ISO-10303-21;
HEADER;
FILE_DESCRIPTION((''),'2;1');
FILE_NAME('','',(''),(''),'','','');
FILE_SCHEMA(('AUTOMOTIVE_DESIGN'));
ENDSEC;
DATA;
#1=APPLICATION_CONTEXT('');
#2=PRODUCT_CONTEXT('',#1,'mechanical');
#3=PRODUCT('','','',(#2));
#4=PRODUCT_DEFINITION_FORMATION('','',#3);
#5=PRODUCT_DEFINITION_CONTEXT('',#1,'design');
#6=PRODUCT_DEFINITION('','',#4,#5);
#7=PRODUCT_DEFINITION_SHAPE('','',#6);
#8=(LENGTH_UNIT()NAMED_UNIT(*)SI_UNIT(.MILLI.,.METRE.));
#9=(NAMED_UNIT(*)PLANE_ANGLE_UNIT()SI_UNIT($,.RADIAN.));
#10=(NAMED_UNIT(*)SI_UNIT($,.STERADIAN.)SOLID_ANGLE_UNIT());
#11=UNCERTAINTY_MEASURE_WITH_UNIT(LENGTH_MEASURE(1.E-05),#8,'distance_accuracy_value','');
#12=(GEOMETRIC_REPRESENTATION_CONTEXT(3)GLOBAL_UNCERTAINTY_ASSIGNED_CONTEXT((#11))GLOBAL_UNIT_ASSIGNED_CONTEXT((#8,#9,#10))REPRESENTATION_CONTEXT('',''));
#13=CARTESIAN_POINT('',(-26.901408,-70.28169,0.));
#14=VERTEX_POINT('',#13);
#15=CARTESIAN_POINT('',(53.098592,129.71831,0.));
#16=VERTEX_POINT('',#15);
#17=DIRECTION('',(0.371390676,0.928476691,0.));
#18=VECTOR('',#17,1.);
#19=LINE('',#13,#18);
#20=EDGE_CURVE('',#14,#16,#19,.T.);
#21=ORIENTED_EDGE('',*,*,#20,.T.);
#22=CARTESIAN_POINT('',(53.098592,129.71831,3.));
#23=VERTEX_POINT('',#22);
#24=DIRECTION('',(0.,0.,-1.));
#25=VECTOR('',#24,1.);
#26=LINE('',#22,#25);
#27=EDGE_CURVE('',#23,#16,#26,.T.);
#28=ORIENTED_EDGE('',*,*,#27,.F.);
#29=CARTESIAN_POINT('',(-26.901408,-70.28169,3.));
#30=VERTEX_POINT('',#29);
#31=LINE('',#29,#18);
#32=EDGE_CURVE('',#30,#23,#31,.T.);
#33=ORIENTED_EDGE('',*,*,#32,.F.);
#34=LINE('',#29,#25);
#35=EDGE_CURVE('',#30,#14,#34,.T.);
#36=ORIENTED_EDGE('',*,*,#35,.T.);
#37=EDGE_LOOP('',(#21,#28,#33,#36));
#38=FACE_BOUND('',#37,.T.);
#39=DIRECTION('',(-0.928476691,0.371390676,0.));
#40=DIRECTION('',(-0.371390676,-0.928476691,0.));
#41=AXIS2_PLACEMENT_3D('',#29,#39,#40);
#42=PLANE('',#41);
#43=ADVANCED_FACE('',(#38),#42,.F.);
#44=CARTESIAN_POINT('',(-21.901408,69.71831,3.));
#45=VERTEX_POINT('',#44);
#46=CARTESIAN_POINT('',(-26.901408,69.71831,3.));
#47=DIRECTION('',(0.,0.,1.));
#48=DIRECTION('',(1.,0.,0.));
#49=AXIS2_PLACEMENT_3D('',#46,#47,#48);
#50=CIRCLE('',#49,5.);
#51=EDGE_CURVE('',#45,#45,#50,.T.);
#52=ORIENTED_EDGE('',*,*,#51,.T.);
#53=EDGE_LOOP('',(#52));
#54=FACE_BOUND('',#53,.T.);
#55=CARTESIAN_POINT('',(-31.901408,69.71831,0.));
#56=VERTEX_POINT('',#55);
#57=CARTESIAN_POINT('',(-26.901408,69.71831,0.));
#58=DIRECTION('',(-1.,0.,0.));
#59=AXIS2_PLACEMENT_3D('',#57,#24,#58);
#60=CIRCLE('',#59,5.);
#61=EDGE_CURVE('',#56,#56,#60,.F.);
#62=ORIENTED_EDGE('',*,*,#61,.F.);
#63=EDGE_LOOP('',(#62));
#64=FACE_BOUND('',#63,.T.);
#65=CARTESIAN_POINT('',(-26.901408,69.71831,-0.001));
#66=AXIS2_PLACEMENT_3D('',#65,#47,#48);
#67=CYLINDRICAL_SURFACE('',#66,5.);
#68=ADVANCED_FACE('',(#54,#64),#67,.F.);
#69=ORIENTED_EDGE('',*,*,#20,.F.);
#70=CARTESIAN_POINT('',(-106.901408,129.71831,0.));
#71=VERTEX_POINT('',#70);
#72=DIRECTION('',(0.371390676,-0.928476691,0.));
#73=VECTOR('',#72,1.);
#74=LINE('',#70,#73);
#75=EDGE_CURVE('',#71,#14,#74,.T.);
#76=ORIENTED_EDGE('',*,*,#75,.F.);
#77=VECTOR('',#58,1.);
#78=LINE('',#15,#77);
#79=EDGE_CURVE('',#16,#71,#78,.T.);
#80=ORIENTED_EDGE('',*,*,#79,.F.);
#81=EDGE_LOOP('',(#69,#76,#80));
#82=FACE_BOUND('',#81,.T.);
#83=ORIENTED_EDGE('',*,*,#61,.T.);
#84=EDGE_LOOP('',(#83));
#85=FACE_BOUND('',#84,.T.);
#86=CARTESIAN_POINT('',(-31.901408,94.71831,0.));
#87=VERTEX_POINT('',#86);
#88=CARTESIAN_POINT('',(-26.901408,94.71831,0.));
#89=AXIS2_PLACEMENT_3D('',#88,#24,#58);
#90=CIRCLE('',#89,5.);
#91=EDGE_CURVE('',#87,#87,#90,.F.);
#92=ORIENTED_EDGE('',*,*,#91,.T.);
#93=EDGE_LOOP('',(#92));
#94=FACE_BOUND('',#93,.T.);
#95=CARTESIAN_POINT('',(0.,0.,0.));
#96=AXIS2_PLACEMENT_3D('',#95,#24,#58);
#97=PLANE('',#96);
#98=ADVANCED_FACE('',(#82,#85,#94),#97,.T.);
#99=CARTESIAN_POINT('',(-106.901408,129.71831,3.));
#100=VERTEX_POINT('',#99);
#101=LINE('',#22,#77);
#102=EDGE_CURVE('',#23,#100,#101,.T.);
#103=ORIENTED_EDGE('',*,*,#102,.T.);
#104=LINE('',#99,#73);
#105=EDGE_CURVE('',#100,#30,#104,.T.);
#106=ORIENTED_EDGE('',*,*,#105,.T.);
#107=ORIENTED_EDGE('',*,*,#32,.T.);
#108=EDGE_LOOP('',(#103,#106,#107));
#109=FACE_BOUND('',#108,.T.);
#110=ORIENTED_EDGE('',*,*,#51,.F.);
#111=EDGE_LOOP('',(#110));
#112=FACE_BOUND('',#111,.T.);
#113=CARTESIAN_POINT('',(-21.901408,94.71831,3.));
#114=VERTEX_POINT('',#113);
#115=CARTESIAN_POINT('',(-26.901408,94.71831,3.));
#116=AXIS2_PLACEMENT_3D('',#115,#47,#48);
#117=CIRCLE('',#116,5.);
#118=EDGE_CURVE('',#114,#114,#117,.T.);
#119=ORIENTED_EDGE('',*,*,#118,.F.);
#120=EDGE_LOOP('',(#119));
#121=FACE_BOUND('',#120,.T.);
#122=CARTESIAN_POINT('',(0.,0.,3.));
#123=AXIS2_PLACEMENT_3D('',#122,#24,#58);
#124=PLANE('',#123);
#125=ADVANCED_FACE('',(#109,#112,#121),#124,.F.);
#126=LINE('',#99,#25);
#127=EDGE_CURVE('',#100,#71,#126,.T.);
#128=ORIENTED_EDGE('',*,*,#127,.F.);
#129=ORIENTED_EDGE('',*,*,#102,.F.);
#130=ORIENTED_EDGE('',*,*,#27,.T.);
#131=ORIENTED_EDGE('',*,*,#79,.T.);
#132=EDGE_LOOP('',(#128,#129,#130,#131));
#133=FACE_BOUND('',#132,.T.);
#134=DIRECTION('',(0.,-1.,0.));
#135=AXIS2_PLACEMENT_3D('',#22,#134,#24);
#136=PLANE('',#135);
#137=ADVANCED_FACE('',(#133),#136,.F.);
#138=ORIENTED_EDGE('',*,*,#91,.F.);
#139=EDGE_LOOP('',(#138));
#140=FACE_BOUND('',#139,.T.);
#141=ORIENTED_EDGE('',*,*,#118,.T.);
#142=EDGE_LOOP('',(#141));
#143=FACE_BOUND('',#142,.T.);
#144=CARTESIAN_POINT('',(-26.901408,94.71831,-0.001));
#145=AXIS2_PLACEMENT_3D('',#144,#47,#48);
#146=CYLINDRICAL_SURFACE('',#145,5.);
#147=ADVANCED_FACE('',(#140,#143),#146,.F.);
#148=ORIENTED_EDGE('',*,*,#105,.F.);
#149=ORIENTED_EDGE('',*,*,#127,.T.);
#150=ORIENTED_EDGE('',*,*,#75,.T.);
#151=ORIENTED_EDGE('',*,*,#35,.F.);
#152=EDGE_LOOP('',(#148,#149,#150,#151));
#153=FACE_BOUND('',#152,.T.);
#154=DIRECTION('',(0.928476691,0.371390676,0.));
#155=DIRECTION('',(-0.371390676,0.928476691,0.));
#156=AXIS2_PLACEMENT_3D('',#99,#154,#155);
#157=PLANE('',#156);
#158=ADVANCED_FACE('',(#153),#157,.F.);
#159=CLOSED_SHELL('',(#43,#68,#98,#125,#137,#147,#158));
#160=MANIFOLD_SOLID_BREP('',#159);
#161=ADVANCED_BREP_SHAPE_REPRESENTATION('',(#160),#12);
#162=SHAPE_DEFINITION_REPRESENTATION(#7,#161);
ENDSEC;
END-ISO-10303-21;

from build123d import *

# Parameters (mm, degrees)
BOSS_EXTRUDE1_DEPTH = 3
CUT_EXTRUDE1_REACH  = 5
SKETCH2_R           = 5


with BuildPart() as part:
    # Sketch1 → Boss-Extrude1 (new body)
    with BuildSketch(Plane.XY):
        Polygon((-26.901408451, -70.281690141), (53.098591549, 129.718309859), (-106.901408451, 129.718309859), align=None)
    extrude(amount=BOSS_EXTRUDE1_DEPTH)

    # Sketch2 → Cut-Extrude1 (cut, up to next)
    with BuildSketch(Plane.XY.offset(3), mode=Mode.PRIVATE) as cut_extrude1_sk1:
        with Locations((-26.901408451, 94.718309859)):
            Circle(SKETCH2_R)
    cut_extrude1_tool1 = extrude(cut_extrude1_sk1.sketch, amount=-CUT_EXTRUDE1_REACH, mode=Mode.PRIVATE) & part.part
    add(cut_extrude1_tool1.solids().sort_by_distance((-26.901408, 94.71831, 3))[0], mode=Mode.SUBTRACT)
    # Sketch2 → Cut-Extrude1 (cut, up to next)
    with BuildSketch(Plane.XY.offset(3), mode=Mode.PRIVATE) as cut_extrude1_sk2:
        with Locations((-26.901408451, 69.718309859)):
            Circle(SKETCH2_R)
    cut_extrude1_tool2 = extrude(cut_extrude1_sk2.sketch, amount=-CUT_EXTRUDE1_REACH, mode=Mode.PRIVATE) & part.part
    add(cut_extrude1_tool2.solids().sort_by_distance((-26.901408, 69.71831, 3))[0], mode=Mode.SUBTRACT)


solid = part.part
